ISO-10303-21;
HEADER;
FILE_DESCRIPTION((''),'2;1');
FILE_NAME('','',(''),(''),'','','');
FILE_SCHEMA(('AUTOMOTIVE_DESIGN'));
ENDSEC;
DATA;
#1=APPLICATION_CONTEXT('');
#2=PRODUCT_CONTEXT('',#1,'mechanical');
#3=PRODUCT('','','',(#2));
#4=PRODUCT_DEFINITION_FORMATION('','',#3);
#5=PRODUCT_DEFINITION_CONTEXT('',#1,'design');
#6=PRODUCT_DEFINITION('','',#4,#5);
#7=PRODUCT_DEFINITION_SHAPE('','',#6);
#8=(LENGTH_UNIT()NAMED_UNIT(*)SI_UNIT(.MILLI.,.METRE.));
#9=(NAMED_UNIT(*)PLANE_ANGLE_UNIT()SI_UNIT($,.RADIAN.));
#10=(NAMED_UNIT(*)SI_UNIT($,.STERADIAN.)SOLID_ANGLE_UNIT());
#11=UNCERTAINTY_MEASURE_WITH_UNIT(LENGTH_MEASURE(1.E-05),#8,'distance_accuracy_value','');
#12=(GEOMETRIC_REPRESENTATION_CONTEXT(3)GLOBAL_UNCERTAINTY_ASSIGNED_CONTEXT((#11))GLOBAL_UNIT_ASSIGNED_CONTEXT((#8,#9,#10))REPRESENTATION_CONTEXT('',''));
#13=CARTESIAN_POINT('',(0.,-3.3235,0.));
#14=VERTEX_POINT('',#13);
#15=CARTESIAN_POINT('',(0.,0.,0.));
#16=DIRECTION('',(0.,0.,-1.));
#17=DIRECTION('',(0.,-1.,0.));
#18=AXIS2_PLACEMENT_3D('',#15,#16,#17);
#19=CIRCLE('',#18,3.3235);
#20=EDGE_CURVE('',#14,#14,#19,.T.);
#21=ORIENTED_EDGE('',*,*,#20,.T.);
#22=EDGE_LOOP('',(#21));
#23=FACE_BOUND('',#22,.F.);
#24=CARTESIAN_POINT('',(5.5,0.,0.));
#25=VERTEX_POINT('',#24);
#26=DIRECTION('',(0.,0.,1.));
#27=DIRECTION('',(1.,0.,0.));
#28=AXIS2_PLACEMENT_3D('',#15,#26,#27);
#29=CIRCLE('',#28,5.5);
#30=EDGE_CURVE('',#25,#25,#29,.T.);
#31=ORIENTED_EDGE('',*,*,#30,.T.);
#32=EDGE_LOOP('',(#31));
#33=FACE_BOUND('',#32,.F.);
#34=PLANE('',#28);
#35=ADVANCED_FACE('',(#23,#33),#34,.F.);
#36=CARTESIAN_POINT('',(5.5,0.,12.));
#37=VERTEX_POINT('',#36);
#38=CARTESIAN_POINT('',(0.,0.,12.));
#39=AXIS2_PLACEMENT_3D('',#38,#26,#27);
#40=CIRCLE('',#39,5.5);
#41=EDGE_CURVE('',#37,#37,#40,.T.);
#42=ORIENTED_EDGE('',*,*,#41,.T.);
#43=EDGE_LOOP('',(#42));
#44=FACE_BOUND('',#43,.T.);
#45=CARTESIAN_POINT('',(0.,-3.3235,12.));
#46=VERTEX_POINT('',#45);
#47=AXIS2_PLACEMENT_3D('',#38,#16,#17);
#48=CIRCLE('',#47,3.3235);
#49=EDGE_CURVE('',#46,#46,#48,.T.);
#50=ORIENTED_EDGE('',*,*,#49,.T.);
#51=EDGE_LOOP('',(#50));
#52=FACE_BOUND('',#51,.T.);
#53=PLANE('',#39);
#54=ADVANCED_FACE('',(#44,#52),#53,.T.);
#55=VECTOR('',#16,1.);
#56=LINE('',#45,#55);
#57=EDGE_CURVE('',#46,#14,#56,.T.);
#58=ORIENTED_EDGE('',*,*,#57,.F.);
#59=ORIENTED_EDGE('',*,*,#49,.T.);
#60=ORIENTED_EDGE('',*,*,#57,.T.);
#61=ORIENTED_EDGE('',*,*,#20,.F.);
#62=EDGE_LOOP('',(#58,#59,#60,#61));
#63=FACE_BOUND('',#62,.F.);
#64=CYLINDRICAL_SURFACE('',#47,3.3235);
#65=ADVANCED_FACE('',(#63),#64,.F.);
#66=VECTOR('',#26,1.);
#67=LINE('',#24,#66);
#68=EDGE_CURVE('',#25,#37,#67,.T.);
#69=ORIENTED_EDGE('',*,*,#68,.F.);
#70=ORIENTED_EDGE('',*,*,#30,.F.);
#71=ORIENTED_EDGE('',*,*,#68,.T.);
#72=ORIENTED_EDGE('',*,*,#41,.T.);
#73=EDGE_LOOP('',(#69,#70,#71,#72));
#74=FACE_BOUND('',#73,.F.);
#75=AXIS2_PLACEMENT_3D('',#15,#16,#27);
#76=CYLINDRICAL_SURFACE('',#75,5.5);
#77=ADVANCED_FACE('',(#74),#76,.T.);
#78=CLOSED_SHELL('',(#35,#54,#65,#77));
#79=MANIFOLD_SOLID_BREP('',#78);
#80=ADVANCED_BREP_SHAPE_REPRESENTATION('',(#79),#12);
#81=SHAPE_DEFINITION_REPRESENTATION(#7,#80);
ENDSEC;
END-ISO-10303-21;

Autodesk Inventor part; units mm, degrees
ref_plane "YZ Plane" through (0, 0, 0) normal (1, 0, 0) x (0, 1, 0)
ref_plane "XZ Plane" through (0, 0, 0) normal (0, 1, 0) x (-1, 0, 0)
ref_plane "XY Plane" through (0, 0, 0) normal (0, 0, 1) x (1, 0, 0)
sketch "Sketch1" plane through (0, 0, 0) normal (0, 0, 1) x (1, 0, 0)
  circle A0 centre (0, 0) radius 5.5
  dimension "d0" = 11
extrude "Extrusion1" add sketch "Sketch1" along normal blind 12
sketch "Sketch2" plane through (0, 0, 12) normal (0, 0, 1) x (1, 0, 0)
  circle A0 centre (0, 0) radius 5.5 projected
hole "Hole1" at (0, 0, 12) direction (0, 0, -1) diameter 6.647 depth 12 thread size "M8x1.25" class "6H" standard "ISO Metric profile"
properties part number "29" material "Copper"
